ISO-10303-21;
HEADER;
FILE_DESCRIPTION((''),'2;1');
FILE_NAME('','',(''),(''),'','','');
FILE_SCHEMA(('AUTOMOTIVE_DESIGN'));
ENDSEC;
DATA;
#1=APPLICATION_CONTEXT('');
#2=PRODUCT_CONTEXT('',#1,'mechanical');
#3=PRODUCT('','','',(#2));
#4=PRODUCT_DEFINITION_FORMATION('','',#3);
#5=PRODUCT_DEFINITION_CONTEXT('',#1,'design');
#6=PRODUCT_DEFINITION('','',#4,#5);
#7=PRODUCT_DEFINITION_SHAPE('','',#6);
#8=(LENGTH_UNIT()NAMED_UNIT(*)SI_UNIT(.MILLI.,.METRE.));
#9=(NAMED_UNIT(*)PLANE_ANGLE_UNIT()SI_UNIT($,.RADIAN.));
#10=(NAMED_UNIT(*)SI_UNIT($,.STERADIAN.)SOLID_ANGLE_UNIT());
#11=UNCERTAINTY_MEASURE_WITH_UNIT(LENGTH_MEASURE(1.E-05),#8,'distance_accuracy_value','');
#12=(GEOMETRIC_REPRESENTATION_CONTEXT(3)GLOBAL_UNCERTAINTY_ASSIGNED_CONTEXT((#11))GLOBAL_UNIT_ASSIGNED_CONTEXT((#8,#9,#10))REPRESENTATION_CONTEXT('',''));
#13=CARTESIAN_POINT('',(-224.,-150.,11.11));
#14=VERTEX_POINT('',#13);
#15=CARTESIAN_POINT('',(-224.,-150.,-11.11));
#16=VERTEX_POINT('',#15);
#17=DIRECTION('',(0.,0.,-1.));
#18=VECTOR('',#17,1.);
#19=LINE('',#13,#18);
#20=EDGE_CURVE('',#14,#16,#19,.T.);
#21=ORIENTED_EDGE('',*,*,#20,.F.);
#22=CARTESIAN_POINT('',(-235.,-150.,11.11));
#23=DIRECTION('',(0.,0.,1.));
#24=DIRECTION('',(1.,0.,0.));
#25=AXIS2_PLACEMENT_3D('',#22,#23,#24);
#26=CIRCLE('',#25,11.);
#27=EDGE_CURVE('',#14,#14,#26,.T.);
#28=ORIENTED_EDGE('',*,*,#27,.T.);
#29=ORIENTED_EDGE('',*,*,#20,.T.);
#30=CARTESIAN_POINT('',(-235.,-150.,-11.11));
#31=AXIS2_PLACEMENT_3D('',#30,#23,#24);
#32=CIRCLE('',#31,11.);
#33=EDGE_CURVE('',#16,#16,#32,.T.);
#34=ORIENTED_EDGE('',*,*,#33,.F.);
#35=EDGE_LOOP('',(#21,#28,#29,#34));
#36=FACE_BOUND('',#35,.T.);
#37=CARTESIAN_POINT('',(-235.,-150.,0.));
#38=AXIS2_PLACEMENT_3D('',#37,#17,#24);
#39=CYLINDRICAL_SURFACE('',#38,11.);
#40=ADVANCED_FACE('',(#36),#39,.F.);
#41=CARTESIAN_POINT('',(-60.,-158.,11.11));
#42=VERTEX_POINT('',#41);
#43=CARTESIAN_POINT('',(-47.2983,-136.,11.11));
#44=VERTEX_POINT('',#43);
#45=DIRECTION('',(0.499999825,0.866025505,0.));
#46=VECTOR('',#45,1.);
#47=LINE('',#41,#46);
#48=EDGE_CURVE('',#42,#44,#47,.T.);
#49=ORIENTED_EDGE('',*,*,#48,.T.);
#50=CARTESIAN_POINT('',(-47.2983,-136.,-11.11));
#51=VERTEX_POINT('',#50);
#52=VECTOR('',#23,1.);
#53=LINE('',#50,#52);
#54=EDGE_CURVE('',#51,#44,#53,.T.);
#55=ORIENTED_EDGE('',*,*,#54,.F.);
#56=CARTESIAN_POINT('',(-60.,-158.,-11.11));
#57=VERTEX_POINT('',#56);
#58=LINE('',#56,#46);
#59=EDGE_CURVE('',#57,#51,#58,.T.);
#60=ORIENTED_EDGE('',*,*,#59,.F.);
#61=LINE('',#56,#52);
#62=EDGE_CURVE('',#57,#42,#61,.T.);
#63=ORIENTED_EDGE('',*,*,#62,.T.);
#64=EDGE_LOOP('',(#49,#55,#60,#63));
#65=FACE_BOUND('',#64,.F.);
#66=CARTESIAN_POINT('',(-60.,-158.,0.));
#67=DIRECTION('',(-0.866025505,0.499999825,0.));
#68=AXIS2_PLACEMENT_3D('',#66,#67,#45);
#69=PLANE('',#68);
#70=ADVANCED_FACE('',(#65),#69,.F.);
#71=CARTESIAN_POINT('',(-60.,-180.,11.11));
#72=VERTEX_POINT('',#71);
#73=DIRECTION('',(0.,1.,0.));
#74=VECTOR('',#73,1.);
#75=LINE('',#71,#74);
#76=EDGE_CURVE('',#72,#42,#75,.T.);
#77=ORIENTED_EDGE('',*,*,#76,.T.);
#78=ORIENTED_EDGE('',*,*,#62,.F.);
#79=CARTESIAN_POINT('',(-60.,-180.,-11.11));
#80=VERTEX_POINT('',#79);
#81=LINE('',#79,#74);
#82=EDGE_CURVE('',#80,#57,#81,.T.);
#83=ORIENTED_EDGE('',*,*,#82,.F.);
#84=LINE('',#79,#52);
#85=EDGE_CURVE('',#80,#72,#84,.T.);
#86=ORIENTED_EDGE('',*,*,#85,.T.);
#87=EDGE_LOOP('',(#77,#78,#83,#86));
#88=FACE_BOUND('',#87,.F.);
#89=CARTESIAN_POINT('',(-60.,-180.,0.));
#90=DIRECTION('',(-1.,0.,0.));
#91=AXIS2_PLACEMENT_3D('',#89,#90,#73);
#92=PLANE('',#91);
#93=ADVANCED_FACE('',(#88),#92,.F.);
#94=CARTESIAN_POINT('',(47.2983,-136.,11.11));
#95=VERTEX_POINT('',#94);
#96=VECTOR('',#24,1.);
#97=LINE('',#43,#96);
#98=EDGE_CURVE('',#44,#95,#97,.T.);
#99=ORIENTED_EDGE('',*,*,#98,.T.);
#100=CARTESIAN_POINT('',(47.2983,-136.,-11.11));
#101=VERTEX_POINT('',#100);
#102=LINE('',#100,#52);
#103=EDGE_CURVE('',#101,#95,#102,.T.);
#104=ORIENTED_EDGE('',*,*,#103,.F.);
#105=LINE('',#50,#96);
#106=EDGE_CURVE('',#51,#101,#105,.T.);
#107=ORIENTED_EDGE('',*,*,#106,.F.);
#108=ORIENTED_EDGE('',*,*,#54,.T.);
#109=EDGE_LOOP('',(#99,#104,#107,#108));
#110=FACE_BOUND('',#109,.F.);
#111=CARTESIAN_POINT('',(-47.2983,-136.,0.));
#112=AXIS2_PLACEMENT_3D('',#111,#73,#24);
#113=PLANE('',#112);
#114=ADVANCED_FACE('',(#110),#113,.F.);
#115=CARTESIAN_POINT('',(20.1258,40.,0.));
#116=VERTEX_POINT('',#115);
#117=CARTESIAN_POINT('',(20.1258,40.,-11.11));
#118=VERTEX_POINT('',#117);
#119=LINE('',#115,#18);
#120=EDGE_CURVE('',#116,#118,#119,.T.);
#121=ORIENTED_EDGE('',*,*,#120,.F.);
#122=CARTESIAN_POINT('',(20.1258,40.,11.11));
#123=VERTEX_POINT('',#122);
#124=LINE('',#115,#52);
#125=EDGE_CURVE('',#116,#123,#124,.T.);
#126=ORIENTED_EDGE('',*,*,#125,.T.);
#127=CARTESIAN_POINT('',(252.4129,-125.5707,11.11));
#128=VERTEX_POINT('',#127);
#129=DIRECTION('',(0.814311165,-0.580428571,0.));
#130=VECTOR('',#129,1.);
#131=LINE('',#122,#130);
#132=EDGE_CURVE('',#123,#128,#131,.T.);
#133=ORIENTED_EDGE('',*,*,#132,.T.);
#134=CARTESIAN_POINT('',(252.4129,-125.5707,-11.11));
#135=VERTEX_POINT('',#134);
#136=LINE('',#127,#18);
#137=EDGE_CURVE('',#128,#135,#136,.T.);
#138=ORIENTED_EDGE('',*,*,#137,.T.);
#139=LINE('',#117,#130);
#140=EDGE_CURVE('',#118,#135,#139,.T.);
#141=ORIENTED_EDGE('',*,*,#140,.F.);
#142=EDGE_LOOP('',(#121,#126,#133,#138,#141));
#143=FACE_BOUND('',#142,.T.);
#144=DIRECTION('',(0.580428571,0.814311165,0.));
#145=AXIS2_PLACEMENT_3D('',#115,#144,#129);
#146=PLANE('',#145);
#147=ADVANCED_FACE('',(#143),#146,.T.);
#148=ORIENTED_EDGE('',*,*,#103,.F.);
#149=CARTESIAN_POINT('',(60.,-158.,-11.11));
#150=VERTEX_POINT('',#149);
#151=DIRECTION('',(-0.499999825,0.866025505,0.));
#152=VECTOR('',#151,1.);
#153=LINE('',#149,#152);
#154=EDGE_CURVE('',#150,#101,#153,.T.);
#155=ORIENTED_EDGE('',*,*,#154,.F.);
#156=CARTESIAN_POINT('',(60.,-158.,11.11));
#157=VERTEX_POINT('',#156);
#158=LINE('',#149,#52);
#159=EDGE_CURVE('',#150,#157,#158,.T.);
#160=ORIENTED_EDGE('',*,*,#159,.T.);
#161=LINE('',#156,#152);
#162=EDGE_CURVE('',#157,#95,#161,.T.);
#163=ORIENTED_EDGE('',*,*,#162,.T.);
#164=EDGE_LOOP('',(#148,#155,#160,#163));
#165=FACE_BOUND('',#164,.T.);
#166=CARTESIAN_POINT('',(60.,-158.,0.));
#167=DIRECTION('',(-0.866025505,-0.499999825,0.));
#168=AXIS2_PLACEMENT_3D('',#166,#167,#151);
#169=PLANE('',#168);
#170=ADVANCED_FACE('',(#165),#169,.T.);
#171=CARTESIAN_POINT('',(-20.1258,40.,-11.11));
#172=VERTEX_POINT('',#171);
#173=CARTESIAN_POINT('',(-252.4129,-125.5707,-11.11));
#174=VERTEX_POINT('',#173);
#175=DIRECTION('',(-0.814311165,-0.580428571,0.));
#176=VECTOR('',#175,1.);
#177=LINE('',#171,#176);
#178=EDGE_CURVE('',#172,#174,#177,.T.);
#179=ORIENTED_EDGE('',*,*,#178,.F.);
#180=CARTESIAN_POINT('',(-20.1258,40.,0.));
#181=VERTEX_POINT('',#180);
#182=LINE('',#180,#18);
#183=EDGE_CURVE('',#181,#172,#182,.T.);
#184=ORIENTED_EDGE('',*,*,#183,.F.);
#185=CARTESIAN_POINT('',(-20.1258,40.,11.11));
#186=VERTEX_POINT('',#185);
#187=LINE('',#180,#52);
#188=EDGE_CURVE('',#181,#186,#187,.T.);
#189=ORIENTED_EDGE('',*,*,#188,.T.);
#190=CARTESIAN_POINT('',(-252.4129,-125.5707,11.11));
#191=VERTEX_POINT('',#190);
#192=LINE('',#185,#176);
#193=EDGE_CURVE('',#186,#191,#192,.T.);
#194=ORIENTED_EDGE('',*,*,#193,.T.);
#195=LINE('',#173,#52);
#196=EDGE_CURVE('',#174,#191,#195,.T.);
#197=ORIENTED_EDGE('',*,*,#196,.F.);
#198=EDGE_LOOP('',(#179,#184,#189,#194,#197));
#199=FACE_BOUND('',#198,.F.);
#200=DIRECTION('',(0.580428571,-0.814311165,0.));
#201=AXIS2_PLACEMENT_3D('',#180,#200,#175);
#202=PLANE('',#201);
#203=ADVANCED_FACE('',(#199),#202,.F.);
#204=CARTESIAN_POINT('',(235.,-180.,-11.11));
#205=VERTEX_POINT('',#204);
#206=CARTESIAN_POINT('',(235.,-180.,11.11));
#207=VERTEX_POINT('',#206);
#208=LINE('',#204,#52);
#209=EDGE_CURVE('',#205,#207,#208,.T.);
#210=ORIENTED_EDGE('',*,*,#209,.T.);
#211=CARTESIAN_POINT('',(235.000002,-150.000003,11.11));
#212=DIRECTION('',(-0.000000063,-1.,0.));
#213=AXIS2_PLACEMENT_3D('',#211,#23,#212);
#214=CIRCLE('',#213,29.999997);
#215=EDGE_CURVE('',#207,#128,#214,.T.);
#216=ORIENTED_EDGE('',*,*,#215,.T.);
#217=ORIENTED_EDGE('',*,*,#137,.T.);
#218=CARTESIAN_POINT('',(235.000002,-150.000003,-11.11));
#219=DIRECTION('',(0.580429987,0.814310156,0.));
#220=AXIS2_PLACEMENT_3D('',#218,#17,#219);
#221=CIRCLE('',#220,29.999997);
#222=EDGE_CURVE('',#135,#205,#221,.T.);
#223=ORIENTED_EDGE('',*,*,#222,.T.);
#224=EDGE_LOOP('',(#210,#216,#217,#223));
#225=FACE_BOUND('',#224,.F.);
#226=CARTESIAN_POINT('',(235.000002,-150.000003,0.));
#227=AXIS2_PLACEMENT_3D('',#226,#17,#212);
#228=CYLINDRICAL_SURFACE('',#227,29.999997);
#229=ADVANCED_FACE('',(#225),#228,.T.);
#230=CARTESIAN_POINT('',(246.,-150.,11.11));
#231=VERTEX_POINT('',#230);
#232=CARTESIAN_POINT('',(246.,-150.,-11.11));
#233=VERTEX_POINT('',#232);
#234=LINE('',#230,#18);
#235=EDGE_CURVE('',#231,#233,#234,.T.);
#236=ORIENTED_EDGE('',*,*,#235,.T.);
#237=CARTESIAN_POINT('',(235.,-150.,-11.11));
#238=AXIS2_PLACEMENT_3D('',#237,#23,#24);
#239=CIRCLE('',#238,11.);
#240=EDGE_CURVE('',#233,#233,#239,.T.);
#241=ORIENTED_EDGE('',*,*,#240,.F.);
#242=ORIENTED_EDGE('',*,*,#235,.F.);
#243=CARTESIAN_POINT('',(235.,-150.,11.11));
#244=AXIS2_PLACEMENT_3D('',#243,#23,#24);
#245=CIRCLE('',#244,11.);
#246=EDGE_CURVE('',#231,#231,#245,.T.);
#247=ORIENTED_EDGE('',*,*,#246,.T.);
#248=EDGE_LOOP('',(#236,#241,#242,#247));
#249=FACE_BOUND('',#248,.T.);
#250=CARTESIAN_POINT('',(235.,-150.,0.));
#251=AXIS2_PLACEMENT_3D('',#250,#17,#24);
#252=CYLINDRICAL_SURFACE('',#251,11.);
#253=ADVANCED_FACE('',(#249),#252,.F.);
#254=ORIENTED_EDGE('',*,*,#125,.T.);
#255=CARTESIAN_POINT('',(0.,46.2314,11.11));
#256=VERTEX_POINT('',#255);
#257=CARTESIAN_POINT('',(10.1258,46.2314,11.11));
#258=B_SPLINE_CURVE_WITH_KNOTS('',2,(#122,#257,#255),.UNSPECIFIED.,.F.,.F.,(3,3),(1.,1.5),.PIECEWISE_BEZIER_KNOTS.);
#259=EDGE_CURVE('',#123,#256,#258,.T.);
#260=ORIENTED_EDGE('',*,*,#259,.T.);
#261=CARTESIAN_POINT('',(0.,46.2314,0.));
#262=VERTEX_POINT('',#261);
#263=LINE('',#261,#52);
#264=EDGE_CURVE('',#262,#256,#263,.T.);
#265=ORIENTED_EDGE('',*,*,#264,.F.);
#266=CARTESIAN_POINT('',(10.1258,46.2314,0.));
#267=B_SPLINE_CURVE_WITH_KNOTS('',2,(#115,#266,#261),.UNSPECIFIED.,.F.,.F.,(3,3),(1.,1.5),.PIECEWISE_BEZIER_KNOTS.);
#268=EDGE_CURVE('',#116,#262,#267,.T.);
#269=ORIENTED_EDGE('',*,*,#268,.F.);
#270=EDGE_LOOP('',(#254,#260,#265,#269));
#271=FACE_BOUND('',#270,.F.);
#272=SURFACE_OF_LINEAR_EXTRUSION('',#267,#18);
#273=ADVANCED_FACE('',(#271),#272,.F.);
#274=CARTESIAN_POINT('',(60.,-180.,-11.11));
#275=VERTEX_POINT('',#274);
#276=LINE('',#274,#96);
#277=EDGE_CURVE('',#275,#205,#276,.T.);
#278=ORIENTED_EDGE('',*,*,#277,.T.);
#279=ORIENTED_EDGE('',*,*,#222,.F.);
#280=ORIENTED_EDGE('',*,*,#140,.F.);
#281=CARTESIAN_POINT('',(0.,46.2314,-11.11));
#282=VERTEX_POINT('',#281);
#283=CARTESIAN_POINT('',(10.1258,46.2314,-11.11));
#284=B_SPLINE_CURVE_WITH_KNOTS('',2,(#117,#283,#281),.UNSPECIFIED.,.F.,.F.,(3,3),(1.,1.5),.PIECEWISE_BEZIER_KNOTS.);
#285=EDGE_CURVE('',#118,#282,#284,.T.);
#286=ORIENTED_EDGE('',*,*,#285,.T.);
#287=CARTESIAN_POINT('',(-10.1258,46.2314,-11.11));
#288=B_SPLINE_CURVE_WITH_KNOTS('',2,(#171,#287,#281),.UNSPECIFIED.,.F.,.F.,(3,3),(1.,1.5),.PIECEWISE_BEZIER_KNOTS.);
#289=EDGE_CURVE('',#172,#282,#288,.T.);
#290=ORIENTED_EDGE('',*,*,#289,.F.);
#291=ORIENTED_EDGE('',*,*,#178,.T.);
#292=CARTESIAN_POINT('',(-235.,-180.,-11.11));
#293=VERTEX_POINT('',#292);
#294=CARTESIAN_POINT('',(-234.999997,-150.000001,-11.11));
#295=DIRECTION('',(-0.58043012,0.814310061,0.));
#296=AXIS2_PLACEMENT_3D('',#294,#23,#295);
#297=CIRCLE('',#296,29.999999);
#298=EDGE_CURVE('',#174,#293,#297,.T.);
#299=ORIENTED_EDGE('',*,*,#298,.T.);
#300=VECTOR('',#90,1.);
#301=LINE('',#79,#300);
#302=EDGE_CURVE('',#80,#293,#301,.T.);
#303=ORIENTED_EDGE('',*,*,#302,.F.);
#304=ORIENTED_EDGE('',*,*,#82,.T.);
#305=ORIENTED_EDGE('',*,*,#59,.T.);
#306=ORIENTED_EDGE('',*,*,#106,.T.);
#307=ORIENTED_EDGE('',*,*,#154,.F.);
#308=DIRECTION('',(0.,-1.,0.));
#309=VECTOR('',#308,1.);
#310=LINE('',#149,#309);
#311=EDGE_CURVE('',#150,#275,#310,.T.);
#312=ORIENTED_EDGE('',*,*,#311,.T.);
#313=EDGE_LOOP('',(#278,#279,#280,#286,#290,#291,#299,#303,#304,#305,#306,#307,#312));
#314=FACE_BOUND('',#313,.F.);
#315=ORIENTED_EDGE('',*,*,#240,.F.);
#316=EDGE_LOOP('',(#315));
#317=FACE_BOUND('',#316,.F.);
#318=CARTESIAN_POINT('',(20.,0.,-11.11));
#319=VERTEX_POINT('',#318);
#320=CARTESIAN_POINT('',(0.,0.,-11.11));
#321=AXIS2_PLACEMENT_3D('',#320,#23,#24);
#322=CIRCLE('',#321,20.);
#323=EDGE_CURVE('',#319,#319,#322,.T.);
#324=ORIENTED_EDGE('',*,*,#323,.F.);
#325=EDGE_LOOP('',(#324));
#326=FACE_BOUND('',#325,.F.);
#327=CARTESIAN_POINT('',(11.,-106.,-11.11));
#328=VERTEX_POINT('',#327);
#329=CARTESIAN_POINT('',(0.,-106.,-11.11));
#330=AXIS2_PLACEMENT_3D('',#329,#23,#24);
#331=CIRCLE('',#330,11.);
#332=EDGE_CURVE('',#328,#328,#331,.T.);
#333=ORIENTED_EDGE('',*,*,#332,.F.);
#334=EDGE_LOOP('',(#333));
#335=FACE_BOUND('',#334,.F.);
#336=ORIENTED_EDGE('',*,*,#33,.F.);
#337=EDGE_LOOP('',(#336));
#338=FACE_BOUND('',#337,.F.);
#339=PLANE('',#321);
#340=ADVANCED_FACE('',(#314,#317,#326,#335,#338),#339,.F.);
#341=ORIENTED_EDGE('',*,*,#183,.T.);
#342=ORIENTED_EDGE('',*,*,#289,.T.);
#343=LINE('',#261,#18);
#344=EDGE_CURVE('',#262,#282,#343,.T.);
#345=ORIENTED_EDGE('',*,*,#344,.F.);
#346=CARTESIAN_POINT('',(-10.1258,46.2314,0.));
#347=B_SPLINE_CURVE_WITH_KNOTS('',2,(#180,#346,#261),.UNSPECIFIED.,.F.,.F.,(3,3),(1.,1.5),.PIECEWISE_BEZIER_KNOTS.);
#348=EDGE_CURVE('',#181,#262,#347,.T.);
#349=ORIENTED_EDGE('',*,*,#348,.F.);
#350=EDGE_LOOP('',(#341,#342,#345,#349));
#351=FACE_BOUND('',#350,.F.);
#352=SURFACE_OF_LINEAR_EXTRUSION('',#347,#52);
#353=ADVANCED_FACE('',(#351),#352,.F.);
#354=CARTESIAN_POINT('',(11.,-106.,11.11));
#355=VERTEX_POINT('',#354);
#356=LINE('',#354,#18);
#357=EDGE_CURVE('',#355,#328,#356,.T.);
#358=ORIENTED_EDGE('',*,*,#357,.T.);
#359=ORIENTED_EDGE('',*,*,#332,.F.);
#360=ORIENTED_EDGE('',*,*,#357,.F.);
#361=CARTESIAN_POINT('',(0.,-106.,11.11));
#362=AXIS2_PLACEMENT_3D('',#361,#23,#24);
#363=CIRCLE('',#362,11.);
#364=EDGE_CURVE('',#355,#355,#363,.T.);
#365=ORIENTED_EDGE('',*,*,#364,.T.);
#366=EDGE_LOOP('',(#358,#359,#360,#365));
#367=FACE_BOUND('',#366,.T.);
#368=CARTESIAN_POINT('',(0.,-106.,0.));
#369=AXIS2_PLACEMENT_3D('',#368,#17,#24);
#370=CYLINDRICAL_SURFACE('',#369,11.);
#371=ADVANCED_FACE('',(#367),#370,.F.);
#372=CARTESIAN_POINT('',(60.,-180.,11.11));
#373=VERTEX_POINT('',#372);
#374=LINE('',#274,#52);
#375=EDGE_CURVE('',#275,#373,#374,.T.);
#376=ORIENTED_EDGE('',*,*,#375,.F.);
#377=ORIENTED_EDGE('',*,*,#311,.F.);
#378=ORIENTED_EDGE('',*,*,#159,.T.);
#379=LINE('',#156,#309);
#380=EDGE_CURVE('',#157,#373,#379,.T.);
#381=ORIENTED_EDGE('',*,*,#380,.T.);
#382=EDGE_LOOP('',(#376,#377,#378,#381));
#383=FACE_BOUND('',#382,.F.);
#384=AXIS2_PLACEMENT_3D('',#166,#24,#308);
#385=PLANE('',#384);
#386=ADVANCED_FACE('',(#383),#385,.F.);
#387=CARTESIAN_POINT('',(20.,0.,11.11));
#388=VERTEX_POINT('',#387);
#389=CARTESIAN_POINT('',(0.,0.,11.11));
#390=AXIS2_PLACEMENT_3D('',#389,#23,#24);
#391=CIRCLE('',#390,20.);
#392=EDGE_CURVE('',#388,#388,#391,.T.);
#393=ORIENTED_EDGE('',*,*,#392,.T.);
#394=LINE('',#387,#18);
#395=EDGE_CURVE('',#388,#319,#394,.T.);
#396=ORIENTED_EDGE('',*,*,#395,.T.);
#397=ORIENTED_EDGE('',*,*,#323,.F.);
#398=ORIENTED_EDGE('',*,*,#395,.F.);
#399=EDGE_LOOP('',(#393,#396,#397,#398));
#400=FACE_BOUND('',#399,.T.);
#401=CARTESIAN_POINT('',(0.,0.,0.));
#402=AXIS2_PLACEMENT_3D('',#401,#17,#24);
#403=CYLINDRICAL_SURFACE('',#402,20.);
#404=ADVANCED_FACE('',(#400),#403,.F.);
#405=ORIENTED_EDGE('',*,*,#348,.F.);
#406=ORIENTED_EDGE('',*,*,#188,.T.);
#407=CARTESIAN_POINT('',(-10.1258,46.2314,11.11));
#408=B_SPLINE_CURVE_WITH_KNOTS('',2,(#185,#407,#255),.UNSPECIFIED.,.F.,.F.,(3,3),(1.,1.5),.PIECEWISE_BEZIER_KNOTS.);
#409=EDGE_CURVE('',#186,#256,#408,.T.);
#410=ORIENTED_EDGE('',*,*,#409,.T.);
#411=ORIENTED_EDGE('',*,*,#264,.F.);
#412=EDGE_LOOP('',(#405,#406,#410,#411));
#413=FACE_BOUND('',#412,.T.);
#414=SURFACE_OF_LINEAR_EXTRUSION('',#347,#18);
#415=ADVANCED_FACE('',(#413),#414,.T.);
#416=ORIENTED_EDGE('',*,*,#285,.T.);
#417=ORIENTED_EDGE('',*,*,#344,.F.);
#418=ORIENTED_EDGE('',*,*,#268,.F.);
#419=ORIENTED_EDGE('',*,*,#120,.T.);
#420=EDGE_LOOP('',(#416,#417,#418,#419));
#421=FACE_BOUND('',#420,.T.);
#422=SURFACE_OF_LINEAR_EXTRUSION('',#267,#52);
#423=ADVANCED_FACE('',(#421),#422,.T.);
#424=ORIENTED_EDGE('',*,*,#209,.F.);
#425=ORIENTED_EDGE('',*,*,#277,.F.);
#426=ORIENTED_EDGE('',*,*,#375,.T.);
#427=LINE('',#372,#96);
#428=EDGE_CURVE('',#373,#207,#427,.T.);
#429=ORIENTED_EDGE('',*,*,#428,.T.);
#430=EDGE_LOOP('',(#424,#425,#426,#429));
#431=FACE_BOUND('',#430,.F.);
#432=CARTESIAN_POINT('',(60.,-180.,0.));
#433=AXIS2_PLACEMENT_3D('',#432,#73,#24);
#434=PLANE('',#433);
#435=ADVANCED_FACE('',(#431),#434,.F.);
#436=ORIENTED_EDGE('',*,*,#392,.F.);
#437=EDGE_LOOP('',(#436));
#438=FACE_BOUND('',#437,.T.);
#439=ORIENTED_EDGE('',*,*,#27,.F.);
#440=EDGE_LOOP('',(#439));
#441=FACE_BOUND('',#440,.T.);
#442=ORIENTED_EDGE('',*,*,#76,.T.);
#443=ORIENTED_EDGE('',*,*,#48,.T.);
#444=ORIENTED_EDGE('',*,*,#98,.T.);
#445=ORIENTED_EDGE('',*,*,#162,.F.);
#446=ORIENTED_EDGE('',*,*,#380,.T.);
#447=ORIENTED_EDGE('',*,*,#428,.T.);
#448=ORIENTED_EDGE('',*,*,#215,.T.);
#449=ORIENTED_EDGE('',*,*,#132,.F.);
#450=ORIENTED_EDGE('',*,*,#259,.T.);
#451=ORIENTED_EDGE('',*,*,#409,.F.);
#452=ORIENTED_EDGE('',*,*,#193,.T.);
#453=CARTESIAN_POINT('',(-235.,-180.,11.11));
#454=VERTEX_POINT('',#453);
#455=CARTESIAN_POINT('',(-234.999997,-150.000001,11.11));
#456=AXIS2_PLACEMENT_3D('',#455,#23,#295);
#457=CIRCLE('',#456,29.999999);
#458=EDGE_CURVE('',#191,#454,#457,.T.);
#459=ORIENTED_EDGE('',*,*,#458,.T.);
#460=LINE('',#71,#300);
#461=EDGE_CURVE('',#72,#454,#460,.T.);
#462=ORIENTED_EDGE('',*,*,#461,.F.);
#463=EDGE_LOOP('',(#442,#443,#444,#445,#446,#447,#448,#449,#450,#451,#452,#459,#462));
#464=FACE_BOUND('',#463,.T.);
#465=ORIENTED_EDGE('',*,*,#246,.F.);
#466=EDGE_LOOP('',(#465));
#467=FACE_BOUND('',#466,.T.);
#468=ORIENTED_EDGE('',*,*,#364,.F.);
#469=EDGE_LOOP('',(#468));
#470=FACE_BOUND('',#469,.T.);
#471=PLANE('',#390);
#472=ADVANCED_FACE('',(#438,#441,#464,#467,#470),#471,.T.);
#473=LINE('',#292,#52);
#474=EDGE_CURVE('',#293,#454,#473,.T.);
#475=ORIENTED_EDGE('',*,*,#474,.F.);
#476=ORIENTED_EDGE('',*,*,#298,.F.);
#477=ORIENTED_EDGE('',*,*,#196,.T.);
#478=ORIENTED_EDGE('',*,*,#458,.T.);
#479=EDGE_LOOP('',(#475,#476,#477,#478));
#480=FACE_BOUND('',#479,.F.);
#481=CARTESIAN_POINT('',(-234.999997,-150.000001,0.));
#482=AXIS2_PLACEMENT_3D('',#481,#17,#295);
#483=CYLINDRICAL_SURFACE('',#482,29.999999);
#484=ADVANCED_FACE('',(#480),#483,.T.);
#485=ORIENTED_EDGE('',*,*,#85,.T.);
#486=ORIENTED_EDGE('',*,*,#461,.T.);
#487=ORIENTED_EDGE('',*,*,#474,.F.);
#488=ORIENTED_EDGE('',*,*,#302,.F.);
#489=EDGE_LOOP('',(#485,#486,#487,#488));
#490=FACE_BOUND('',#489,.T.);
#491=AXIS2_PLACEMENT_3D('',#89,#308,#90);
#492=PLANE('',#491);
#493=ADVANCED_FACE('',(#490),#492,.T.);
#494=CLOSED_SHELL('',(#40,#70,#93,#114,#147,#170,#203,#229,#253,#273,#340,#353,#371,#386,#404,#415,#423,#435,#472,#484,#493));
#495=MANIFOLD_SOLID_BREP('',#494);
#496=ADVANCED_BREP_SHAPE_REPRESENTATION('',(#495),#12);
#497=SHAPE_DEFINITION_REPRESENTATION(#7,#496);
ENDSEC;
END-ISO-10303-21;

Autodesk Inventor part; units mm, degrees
ref_plane "YZ Plane" through (0, 0, 0) normal (1, 0, 0) x (0, 1, 0)
ref_plane "XZ Plane" through (0, 0, 0) normal (0, 1, 0) x (-1, 0, 0)
ref_plane "XY Plane" through (0, 0, 0) normal (0, 0, 1) x (1, 0, 0)
sketch "Sketch1" plane through (0, 0, 0) normal (0, 0, 1) x (1, 0, 0)
  circle A0 centre (0, 0) radius 20
  circle A1 centre (-235, -150) radius 11
  line L0 (-20.1258, 40) -> (-10.1258, 46.2314) construction
  spline S0 degree 2 poles (-20.1258, 40) (-10.1258, 46.2314) (0, 46.2314) knots 1 1 1 1.5 1.5 1.5
  line L1 (0, 87.1559) -> (0, -290.9336) construction
  line L2 (-10.1258, 46.2314) -> (0, 46.2314) construction
  circle A2 centre (235, -150) radius 11
  line L3 (20.1258, 40) -> (10.1258, 46.2314) construction
  spline S1 degree 2 poles (20.1258, 40) (10.1258, 46.2314) (0, 46.2314) knots 1 1 1 1.5 1.5 1.5
  line L4 (10.1258, 46.2314) -> (0, 46.2314) construction
  circle A3 centre (0, -106) radius 11
  line L5 (-60, -180) -> (-60, -158)
  line L6 (-47.2983, -136) -> (47.2983, -136)
  line L7 (60, -158) -> (60, -180)
  line L8 (-60, -158) -> (-47.2983, -136)
  line L9 (-60, -158) -> (-34.5966, -158) construction
  line L10 (60, -158) -> (47.2983, -136)
  line L11 (60, -158) -> (85.4034, -158) construction
  line L12 (-60, -180) -> (-235, -180)
  arc A4 (-252.4129, -125.5707) -> (-235, -180) centre (-235, -150) ccw
  arc A5 (-252.4129, -125.5707) -> (-252.4129, -125.5707) centre (-235, -150) ccw
  line L13 (60, -180) -> (235, -180)
  arc A6 (235, -180) -> (252.4129, -125.5707) centre (235, -150) ccw
  arc A7 (252.4129, -125.5707) -> (252.4129, -125.5707) centre (235, -150) ccw
  line L14 (-20.1258, 40) -> (-252.4129, -125.5707)
  line L15 (20.1258, 40) -> (252.4129, -125.5707)
  dimension "d0" = 40
  dimension "d3" = 22
  dimension "d9" = 40
  dimension "d16" = 22
  dimension "d18" = 235
  dimension "d19" = 30
  dimension "d21" = 120
  dimension "d23" = 60
  dimension "d24" = 235
  dimension "d25" = 60
  dimension "d26" = 120
extrude "Extrusion2" add sketch "Sketch1" along normal mid plane 22.22
properties part number "Corpo_Suporte_3_Cabos"
